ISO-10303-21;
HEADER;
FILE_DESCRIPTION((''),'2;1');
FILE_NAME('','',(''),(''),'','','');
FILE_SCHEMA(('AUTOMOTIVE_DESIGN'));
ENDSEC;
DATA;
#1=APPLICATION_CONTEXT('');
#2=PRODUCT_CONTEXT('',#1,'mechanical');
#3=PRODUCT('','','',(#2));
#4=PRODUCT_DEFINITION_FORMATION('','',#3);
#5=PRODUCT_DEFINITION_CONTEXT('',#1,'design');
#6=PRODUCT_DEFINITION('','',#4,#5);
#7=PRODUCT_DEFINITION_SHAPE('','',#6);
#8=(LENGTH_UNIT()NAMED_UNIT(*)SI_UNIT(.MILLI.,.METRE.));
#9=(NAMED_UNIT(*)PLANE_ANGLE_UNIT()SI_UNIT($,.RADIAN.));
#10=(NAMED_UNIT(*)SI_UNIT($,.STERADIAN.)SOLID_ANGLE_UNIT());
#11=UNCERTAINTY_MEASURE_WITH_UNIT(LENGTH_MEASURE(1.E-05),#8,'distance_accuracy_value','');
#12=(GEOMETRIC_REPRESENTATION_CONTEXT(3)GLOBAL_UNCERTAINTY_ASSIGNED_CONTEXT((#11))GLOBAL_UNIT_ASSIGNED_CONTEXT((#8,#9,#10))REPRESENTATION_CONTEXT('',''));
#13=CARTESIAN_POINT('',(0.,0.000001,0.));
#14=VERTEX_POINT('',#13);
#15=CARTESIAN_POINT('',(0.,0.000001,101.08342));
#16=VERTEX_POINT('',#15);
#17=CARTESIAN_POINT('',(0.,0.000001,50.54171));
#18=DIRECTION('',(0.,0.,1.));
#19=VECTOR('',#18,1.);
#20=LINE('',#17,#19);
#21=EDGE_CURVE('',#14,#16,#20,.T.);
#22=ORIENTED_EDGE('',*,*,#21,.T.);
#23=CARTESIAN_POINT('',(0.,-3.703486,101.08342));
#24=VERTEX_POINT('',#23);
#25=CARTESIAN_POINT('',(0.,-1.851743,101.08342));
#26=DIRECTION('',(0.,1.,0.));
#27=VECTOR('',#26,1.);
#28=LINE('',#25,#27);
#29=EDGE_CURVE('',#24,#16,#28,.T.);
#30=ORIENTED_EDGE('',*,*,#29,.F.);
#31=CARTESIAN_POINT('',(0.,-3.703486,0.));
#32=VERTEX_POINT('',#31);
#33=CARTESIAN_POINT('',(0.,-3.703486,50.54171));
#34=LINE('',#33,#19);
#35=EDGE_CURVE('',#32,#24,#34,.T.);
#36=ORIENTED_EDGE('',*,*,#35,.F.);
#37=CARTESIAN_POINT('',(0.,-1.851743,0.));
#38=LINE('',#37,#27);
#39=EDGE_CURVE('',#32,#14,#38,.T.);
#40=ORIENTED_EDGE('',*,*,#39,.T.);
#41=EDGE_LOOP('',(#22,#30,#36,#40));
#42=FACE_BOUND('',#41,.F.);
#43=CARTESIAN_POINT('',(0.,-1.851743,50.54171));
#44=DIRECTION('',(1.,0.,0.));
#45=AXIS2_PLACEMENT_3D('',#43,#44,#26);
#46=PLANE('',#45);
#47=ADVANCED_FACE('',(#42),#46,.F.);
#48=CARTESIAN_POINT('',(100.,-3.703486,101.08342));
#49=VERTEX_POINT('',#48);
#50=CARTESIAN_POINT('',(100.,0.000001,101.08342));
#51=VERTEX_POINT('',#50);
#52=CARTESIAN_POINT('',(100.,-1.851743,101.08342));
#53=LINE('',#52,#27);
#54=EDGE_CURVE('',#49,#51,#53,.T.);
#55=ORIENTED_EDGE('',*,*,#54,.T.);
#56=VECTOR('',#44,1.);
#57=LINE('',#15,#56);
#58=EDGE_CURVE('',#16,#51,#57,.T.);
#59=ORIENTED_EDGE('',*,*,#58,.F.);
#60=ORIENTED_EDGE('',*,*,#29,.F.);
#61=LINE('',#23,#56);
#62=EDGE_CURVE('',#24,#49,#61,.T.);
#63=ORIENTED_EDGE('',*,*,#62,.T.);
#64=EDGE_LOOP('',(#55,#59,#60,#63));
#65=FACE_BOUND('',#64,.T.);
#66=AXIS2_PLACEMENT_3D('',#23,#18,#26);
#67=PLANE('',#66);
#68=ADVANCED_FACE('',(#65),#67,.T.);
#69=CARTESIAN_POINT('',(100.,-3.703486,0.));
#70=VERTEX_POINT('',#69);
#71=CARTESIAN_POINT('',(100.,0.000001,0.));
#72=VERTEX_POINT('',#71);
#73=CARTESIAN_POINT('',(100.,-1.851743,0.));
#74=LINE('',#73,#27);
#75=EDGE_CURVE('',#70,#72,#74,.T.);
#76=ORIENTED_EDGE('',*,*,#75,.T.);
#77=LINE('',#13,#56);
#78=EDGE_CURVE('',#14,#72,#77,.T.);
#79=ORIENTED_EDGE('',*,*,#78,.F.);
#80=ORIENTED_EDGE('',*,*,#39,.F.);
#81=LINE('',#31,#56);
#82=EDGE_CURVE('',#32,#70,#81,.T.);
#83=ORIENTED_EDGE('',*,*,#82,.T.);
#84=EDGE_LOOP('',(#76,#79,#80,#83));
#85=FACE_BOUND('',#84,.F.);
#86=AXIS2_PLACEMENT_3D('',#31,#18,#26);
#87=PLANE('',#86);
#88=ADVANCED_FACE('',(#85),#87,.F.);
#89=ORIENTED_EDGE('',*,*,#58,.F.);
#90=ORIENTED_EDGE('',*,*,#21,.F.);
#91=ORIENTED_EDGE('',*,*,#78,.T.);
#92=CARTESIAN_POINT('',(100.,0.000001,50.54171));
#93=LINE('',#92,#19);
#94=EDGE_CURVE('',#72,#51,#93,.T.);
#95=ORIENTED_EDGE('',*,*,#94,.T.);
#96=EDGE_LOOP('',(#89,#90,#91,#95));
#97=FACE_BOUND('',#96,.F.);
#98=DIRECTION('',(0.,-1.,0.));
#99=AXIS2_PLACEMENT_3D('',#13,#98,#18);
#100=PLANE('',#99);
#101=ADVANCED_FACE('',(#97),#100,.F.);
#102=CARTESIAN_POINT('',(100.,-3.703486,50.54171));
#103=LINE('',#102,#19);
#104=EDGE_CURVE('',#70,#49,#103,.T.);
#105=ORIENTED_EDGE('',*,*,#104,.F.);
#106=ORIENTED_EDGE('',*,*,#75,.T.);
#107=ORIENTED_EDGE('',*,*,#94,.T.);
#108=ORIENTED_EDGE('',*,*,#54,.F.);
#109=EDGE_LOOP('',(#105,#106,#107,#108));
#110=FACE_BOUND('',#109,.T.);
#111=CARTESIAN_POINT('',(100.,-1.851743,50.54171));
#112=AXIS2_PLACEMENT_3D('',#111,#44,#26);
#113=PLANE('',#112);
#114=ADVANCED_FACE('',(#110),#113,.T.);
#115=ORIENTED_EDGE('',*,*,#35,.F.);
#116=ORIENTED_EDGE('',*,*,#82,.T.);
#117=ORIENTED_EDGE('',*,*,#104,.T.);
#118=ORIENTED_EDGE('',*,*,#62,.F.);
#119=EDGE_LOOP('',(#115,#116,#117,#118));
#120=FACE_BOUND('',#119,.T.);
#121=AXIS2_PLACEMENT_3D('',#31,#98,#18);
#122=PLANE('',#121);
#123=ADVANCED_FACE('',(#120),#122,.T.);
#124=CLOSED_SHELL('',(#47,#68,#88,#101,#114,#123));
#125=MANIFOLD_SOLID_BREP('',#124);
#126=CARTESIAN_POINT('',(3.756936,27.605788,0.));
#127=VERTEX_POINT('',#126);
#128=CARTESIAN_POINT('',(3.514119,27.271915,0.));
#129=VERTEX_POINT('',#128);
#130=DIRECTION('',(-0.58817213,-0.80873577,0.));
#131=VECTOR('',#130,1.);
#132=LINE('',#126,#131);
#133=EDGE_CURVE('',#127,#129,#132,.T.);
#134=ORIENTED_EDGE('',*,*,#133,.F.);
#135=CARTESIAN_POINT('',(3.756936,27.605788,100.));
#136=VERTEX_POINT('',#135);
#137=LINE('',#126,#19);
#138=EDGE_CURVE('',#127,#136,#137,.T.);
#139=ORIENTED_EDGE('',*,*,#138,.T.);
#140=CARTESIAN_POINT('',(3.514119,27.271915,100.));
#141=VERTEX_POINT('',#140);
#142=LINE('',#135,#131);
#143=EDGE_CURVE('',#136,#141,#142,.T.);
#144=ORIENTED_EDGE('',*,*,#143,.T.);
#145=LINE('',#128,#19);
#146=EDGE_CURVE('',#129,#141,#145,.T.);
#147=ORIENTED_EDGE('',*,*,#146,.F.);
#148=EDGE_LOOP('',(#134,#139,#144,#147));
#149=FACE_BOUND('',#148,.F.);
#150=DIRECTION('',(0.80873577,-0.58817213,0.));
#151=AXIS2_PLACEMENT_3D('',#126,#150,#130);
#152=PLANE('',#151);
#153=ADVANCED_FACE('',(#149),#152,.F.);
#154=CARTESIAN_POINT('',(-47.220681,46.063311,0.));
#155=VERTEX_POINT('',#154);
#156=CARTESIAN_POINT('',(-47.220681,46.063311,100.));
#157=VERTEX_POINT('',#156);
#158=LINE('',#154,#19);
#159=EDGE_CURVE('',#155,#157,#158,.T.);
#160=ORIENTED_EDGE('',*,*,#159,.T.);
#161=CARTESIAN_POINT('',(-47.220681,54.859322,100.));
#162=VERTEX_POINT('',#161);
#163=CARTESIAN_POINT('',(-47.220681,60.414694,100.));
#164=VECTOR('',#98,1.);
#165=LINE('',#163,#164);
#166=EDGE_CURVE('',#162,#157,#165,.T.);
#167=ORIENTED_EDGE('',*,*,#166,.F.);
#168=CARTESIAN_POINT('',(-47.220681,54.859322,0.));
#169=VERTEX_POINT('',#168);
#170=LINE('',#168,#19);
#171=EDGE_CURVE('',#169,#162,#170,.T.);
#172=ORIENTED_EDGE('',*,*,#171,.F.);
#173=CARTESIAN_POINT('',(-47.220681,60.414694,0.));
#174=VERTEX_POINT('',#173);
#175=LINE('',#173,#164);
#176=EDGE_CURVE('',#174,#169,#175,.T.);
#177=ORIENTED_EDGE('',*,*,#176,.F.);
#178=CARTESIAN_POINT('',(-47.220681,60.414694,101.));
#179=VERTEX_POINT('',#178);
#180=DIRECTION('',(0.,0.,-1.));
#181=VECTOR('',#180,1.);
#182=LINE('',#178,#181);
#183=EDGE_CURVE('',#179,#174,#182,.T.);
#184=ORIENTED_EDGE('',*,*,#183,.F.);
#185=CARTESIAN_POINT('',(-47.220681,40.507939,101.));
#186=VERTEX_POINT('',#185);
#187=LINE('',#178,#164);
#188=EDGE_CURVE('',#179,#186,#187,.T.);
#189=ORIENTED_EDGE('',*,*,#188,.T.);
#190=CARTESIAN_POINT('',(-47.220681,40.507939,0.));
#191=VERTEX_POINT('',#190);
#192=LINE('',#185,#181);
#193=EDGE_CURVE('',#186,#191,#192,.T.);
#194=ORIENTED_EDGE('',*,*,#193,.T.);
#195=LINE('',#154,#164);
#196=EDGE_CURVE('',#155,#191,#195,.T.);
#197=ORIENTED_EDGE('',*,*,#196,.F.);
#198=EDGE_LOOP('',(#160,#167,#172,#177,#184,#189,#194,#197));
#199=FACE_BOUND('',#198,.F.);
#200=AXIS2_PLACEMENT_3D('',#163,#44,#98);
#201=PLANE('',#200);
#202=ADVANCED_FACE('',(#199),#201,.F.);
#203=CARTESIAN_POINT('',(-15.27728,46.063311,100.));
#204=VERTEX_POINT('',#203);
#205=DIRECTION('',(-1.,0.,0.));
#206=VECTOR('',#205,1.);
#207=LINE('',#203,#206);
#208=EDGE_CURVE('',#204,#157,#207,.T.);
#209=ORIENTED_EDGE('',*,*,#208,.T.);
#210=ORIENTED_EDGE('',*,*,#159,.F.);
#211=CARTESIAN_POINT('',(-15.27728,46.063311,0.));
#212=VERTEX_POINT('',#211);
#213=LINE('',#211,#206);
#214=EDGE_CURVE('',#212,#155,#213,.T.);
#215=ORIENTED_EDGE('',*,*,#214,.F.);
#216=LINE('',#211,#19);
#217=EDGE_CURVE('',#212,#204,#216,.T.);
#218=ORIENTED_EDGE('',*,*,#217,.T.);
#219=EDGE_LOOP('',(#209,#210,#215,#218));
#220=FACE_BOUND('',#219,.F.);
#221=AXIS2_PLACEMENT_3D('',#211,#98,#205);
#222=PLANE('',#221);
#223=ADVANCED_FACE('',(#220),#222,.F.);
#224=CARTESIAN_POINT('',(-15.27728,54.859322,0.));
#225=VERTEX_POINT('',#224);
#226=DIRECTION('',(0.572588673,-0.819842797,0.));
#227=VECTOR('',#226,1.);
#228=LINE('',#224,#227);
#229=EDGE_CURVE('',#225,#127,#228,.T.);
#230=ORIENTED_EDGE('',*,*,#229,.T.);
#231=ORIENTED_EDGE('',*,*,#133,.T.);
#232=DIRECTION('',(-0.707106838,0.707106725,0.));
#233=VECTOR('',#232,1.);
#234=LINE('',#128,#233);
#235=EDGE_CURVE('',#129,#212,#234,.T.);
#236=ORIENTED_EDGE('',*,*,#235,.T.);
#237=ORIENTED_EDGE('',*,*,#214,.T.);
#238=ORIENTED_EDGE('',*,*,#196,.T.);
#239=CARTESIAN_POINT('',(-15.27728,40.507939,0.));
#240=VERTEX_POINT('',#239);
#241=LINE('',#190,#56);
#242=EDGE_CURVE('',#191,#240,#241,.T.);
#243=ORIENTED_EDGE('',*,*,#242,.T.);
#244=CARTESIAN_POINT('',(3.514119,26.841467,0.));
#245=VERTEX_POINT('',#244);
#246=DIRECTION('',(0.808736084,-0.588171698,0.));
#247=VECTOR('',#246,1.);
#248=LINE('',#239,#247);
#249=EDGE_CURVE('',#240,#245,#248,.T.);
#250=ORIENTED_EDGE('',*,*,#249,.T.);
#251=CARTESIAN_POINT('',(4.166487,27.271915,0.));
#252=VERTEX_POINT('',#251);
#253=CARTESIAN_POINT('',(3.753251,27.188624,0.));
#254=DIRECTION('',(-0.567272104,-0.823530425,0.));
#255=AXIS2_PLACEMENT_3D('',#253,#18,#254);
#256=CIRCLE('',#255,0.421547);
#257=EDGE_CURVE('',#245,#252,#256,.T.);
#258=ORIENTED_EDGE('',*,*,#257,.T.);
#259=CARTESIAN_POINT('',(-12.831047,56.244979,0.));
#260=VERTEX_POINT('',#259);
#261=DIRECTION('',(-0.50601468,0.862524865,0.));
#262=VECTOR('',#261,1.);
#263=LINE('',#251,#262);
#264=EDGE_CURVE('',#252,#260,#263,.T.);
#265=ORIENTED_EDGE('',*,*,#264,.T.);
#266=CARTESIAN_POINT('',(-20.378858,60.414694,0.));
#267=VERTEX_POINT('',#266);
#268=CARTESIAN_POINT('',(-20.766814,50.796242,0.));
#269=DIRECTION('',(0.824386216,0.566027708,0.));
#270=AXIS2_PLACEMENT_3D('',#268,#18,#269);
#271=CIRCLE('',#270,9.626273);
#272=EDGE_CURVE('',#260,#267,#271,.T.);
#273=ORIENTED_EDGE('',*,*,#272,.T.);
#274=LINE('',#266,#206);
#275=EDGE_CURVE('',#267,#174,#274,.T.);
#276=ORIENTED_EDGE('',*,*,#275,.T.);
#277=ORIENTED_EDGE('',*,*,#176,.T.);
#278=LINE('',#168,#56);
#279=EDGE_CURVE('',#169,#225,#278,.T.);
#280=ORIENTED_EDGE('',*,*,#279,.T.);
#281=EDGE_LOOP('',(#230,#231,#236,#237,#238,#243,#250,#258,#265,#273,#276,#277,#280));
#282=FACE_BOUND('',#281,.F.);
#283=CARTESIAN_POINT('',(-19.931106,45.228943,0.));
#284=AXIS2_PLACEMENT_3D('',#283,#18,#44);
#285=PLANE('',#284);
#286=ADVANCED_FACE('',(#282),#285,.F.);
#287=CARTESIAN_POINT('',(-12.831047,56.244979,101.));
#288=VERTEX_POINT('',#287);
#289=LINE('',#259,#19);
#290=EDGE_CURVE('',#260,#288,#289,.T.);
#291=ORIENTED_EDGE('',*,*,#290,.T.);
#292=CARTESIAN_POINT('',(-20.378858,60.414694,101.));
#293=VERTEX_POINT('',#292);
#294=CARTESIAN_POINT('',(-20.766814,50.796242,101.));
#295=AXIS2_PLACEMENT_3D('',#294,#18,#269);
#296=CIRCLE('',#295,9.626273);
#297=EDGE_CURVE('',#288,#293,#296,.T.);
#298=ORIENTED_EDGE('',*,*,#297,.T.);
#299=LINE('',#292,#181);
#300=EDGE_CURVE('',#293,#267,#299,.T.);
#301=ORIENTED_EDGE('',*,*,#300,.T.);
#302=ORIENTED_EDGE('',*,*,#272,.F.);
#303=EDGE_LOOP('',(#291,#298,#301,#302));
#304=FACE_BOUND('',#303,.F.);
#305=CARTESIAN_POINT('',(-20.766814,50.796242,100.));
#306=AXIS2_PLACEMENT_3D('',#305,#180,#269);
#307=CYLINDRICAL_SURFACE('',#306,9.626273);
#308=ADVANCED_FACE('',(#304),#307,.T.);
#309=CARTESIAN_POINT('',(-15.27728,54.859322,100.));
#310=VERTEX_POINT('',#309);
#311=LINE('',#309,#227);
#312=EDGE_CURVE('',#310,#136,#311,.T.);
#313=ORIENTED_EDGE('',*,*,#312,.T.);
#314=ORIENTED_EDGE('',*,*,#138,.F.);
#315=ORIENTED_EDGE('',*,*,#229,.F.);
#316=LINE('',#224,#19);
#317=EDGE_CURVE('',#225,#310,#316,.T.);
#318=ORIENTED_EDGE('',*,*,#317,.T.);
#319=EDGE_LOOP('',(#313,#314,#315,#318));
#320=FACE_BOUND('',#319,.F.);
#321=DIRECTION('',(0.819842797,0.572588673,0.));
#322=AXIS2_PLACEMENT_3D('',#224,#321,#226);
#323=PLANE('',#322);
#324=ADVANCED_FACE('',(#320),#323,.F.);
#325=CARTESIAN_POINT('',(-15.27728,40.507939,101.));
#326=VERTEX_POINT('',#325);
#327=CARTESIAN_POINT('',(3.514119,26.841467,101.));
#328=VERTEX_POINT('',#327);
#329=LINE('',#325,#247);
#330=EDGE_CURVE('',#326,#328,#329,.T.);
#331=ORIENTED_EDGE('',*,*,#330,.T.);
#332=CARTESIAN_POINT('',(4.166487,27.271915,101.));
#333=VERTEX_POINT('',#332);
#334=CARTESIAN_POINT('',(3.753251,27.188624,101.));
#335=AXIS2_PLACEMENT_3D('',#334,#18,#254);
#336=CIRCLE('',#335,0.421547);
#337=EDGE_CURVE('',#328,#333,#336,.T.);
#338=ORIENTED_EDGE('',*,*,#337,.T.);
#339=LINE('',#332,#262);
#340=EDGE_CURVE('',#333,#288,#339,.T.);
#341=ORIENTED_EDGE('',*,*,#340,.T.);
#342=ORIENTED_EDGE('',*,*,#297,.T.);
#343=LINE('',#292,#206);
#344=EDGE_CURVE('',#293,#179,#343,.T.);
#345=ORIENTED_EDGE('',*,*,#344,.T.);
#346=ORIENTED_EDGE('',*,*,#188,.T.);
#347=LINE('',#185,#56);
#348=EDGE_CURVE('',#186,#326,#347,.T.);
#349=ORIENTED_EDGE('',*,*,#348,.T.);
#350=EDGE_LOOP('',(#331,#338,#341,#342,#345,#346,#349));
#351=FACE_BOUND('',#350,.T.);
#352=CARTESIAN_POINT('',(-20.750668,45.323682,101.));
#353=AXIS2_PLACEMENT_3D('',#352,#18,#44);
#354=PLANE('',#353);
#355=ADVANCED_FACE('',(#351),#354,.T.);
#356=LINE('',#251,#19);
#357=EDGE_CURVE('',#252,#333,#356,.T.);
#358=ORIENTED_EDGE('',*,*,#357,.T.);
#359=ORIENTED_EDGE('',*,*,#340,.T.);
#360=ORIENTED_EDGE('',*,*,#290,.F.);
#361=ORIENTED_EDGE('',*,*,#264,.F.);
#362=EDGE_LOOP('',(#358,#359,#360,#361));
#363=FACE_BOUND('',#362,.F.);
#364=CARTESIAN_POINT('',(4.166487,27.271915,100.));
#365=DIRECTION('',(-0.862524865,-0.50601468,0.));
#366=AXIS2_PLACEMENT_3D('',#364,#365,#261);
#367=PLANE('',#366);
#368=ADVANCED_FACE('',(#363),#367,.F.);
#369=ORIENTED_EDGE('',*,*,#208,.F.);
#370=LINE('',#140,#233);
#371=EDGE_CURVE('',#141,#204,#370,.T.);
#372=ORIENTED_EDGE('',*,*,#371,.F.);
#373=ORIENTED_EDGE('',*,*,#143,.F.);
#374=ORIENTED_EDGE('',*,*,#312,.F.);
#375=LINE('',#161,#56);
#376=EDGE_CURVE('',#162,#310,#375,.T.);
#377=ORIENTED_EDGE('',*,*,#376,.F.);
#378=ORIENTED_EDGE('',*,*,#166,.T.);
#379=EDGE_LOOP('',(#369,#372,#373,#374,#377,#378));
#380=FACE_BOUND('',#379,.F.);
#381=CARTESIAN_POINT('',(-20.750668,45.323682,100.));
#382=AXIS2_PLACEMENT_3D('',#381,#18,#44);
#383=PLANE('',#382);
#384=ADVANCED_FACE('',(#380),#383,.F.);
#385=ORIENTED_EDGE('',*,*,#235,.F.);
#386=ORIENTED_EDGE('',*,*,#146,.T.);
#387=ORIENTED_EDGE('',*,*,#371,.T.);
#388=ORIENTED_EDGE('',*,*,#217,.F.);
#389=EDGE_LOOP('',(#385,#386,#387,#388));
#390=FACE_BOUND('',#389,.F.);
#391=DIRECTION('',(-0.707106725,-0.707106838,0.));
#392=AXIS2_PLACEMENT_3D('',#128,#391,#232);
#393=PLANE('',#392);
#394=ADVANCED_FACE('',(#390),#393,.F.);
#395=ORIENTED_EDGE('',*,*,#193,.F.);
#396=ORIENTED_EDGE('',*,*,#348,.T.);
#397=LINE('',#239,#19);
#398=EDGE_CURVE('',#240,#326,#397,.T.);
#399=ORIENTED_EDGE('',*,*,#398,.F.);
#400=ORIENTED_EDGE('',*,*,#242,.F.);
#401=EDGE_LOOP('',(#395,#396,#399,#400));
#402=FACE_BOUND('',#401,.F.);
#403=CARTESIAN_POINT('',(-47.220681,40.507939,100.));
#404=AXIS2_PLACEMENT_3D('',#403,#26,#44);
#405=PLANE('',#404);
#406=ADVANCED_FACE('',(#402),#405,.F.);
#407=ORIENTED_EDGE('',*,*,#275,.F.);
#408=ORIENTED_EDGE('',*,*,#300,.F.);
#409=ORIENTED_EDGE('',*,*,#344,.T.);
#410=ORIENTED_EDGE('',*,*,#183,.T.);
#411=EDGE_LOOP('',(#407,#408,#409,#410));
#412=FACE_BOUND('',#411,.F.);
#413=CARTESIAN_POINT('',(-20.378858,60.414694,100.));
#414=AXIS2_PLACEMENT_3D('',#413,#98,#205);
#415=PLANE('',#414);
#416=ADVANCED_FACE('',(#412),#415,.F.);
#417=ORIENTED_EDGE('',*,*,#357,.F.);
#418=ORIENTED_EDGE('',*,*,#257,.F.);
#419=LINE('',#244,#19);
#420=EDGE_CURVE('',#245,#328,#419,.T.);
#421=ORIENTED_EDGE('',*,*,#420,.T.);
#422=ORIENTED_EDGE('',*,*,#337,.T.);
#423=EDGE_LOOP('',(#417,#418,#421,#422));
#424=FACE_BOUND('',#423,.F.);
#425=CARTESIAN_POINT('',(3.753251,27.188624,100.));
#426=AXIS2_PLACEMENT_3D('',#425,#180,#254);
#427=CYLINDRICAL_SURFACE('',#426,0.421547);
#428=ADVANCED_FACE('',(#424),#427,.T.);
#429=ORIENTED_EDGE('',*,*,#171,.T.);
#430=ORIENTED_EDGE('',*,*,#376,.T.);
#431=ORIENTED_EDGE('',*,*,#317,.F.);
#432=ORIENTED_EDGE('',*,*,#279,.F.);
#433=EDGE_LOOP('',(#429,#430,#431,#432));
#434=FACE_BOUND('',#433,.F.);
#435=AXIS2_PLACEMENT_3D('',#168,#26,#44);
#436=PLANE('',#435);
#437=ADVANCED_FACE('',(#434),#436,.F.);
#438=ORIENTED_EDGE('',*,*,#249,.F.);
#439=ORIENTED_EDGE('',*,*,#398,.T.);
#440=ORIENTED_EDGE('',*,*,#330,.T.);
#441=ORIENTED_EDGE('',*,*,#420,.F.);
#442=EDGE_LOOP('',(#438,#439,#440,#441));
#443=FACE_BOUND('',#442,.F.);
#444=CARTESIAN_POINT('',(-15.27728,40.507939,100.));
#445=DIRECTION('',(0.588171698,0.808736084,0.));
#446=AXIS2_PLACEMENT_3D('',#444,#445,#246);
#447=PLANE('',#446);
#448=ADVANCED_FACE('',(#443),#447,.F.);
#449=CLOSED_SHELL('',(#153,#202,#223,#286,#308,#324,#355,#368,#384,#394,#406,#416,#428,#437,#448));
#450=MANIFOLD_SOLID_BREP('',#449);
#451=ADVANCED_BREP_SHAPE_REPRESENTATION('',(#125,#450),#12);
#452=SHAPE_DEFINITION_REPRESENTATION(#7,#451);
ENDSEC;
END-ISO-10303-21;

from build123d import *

# Parameters (mm, degrees)
F1_DEPTH = 100
F3_DEPTH = 1
F4_W     = 3.703487
F4_H     = 101.08342
F5_DEPTH = 100


with BuildPart() as f1:
    # F0 (on Top) → F1 (new body)
    with BuildSketch(Plane.XY):
        with BuildLine():
            Line((-15.27728, 46.063311), (-47.220681, 46.063311))
            Line((-47.220681, 46.063311), (-47.220681, 40.507939))
            Line((-47.220681, 40.507939), (-15.27728, 40.507939))
            Line((-15.27728, 40.507939), (3.514119, 26.841467))
            ThreePointArc((3.514119, 26.841467), (3.985413, 26.836768), (4.166487, 27.271915))
            Line((4.166487, 27.271915), (-12.831047, 56.244979))
            ThreePointArc((-12.831047, 56.244979), (-16.111954, 59.222238), (-20.378858, 60.414694))
            Line((-20.378858, 60.414694), (-47.220681, 60.414694))
            Line((-47.220681, 60.414694), (-47.220681, 54.859322))
            Line((-47.220681, 54.859322), (-15.27728, 54.859322))
            Line((-15.27728, 54.859322), (3.756936, 27.605788))
            Line((3.756936, 27.605788), (3.514119, 27.271915))
            Line((3.514119, 27.271915), (-15.27728, 46.063311))
        make_face()
    extrude(amount=F1_DEPTH)

    # F2 (on face) → F3 (join)
    with BuildSketch(Plane.XY.offset(100)):
        Polygon((-15.27728, 54.859322), (-47.220681, 54.859322), (-47.220681, 46.063311), (-15.27728, 46.063311), (3.514119, 27.271915), (3.756936, 27.605788), align=None)
        with BuildLine():
            Line((-20.378858, 60.414694), (-47.220681, 60.414694))
            Line((-47.220681, 60.414694), (-47.220681, 54.859322))
            Line((-47.220681, 54.859322), (-15.27728, 54.859322))
            Line((-15.27728, 54.859322), (3.756936, 27.605788))
            Line((3.756936, 27.605788), (3.514119, 27.271915))
            Line((3.514119, 27.271915), (-15.27728, 46.063311))
            Line((-15.27728, 46.063311), (-47.220681, 46.063311))
            Line((-47.220681, 46.063311), (-47.220681, 40.507939))
            Line((-47.220681, 40.507939), (-15.27728, 40.507939))
            Line((-15.27728, 40.507939), (3.514119, 26.841467))
            ThreePointArc((3.514119, 26.841467), (3.985413, 26.836768), (4.166487, 27.271915))
            Line((4.166487, 27.271915), (-12.831047, 56.244979))
            ThreePointArc((-12.831047, 56.244979), (-16.111954, 59.222238), (-20.378858, 60.414694))
        make_face()
    extrude(amount=F3_DEPTH)


with BuildPart() as f5:
    # F4 (on Right) → F5 (new body)
    with BuildSketch(Plane.YZ):
        with Locations((-1.851743, 50.54171)):
            Rectangle(F4_W, F4_H)
    extrude(amount=F5_DEPTH)


solid = Compound([f1.part, f5.part])
